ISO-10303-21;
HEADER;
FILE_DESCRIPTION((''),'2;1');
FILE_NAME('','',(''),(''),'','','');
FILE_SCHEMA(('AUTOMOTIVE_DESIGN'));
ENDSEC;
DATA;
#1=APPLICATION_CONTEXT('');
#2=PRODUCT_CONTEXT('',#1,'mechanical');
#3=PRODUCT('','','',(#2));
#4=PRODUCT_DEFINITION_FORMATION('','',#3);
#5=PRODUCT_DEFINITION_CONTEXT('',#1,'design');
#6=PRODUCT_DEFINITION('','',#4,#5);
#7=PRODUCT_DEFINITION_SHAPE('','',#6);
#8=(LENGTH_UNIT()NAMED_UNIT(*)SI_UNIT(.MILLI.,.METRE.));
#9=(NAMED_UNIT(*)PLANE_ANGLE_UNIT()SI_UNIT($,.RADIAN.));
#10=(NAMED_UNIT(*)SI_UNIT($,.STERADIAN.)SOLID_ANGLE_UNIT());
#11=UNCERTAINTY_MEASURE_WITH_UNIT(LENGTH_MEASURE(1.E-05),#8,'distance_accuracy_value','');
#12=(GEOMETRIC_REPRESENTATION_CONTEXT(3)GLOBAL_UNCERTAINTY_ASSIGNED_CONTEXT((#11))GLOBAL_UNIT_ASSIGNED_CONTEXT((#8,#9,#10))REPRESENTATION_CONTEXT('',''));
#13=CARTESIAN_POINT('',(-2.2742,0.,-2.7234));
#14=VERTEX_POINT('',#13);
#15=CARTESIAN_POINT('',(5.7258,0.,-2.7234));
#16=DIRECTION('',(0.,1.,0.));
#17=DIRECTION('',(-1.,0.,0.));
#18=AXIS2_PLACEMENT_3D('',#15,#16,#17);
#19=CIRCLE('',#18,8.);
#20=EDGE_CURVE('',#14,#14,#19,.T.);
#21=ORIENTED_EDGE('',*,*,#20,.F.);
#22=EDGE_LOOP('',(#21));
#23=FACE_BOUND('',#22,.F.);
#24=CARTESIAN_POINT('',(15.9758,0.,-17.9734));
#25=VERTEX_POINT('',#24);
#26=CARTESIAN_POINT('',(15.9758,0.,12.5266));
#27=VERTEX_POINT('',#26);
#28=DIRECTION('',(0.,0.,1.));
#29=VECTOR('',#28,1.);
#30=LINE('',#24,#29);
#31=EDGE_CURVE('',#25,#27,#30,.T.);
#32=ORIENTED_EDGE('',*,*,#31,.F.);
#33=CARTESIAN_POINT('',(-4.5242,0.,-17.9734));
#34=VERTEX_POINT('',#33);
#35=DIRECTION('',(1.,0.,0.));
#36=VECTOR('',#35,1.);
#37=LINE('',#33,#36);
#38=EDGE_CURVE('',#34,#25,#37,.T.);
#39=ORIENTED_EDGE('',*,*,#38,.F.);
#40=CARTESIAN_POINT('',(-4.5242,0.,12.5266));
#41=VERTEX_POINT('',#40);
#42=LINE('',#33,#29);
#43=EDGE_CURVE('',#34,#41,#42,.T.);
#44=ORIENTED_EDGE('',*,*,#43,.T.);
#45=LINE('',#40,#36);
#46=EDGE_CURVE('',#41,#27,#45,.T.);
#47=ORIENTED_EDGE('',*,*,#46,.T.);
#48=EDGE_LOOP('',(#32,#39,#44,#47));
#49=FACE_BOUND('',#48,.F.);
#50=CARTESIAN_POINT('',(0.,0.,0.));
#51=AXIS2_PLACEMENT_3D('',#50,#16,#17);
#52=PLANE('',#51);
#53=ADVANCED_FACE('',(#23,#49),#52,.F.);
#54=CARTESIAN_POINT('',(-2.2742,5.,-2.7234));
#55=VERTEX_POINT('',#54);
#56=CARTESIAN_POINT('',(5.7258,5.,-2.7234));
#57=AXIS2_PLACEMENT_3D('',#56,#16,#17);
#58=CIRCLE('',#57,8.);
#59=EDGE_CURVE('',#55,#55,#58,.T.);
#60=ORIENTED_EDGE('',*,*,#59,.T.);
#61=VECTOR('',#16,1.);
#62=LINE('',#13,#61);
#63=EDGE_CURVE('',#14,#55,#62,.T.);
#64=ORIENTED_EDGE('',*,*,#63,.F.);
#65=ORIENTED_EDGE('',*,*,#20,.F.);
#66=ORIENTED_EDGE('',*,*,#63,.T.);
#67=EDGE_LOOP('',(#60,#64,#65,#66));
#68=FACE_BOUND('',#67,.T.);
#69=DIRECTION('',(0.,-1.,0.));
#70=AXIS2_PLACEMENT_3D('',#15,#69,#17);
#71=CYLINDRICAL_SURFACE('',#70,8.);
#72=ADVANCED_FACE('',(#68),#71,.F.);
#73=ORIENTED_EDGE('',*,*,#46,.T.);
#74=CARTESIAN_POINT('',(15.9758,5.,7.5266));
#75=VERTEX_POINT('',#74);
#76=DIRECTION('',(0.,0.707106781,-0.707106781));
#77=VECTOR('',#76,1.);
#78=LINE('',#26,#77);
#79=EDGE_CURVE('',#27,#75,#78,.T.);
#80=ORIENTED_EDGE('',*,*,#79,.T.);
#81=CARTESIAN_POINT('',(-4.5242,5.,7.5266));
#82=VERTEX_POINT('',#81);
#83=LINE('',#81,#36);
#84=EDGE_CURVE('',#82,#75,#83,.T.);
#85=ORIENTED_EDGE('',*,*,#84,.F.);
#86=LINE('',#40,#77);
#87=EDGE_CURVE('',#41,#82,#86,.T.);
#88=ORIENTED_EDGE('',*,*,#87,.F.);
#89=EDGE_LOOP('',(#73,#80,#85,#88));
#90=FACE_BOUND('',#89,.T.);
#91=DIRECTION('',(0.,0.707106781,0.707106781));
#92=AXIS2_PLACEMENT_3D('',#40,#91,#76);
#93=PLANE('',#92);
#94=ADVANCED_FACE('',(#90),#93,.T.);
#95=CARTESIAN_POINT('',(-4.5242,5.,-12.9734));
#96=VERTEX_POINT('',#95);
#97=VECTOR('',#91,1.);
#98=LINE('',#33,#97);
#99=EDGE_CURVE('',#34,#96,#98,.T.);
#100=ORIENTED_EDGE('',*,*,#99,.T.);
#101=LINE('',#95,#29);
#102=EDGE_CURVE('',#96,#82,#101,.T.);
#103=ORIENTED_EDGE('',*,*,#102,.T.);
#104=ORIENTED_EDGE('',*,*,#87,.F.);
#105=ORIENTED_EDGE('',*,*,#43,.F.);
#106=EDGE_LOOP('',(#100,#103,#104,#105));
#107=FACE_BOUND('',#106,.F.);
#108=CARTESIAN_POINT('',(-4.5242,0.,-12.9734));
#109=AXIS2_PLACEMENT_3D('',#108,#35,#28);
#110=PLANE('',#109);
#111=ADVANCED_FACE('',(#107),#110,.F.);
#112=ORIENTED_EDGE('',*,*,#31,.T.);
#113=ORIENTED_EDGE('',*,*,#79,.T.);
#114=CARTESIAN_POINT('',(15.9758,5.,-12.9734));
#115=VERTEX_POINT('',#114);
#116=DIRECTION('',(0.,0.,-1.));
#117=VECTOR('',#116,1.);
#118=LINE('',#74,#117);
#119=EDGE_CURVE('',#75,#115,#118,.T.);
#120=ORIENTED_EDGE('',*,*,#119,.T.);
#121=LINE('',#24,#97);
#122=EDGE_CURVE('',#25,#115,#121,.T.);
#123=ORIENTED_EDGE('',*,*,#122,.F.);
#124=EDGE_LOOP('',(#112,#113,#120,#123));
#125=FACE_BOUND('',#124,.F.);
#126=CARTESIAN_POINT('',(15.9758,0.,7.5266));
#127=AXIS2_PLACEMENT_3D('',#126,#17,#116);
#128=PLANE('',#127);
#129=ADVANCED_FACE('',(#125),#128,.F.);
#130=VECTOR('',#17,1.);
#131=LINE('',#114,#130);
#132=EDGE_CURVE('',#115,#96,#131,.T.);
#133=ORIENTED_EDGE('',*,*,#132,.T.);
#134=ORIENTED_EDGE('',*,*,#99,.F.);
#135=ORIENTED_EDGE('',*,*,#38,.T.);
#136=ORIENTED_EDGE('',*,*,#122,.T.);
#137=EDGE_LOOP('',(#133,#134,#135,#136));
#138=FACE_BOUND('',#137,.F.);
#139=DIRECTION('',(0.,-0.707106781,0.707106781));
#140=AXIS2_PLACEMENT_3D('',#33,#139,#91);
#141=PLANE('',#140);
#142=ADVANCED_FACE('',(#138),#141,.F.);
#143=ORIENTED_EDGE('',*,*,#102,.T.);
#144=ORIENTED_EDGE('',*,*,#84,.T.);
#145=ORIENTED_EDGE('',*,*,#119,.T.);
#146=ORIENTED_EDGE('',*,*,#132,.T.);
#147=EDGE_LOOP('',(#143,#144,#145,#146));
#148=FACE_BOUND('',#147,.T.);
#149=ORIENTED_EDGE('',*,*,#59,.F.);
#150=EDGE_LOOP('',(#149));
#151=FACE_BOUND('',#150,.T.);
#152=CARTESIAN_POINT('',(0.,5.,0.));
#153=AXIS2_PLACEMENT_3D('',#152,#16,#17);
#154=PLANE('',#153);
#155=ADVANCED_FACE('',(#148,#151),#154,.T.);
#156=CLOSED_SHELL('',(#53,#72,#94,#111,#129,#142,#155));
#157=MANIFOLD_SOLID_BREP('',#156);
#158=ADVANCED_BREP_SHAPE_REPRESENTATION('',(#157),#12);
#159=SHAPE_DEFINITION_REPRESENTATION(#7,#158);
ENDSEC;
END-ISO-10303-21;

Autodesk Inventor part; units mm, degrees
ref_plane "YZ Plane" through (0, 0, 0) normal (1, 0, 0) x (0, 1, 0)
ref_plane "XZ Plane" through (0, 0, 0) normal (0, 1, 0) x (-1, 0, 0)
ref_plane "XY Plane" through (0, 0, 0) normal (0, 0, 1) x (1, 0, 0)
sketch "Sketch1" plane through (0, 0, 0) normal (0, 1, 0) x (-1, 0, 0)
  line L0 (4.5242, 7.5266) -> (-15.9758, 7.5266)
  line L1 (-15.9758, 7.5266) -> (-15.9758, -12.9734)
  line L2 (-15.9758, -12.9734) -> (4.5242, -12.9734)
  line L3 (4.5242, -12.9734) -> (4.5242, 7.5266)
  circle A0 centre (-5.7258, -2.7234) radius 8
  point P0 (0, 0)
  dimension "d0" = 20.5
  dimension "d1" = 20.5
  dimension "d2" = 16
extrude "Extrusion1" add sketch "Sketch1" along normal blind 5
sketch "Sketch2" plane through (-4.5242, 0, -12.9734) normal (-1, 0, 0) x (0, 0, 1)
  line L0 (20.5, 0) -> (25.5, 0)
  line L1 (20.5, 0) -> (20.5, 5) projected
  line L2 (25.5, 0) -> (20.5, 5)
  line L3 (0, 0) -> (-5, 0)
  line L4 (-5, 0) -> (0, 5)
  line L5 (0, 0) -> (0, 5) projected
  line L6 (0, 5) -> (0, 0)
  point P0 (12.9734, 0)
  dimension "d6" = 5
  dimension "d7" = 5
extrude "Extrusion2" add sketch "Sketch2" against normal up to surface (20.5 mm away)
properties part number "bearing_slot_1"
